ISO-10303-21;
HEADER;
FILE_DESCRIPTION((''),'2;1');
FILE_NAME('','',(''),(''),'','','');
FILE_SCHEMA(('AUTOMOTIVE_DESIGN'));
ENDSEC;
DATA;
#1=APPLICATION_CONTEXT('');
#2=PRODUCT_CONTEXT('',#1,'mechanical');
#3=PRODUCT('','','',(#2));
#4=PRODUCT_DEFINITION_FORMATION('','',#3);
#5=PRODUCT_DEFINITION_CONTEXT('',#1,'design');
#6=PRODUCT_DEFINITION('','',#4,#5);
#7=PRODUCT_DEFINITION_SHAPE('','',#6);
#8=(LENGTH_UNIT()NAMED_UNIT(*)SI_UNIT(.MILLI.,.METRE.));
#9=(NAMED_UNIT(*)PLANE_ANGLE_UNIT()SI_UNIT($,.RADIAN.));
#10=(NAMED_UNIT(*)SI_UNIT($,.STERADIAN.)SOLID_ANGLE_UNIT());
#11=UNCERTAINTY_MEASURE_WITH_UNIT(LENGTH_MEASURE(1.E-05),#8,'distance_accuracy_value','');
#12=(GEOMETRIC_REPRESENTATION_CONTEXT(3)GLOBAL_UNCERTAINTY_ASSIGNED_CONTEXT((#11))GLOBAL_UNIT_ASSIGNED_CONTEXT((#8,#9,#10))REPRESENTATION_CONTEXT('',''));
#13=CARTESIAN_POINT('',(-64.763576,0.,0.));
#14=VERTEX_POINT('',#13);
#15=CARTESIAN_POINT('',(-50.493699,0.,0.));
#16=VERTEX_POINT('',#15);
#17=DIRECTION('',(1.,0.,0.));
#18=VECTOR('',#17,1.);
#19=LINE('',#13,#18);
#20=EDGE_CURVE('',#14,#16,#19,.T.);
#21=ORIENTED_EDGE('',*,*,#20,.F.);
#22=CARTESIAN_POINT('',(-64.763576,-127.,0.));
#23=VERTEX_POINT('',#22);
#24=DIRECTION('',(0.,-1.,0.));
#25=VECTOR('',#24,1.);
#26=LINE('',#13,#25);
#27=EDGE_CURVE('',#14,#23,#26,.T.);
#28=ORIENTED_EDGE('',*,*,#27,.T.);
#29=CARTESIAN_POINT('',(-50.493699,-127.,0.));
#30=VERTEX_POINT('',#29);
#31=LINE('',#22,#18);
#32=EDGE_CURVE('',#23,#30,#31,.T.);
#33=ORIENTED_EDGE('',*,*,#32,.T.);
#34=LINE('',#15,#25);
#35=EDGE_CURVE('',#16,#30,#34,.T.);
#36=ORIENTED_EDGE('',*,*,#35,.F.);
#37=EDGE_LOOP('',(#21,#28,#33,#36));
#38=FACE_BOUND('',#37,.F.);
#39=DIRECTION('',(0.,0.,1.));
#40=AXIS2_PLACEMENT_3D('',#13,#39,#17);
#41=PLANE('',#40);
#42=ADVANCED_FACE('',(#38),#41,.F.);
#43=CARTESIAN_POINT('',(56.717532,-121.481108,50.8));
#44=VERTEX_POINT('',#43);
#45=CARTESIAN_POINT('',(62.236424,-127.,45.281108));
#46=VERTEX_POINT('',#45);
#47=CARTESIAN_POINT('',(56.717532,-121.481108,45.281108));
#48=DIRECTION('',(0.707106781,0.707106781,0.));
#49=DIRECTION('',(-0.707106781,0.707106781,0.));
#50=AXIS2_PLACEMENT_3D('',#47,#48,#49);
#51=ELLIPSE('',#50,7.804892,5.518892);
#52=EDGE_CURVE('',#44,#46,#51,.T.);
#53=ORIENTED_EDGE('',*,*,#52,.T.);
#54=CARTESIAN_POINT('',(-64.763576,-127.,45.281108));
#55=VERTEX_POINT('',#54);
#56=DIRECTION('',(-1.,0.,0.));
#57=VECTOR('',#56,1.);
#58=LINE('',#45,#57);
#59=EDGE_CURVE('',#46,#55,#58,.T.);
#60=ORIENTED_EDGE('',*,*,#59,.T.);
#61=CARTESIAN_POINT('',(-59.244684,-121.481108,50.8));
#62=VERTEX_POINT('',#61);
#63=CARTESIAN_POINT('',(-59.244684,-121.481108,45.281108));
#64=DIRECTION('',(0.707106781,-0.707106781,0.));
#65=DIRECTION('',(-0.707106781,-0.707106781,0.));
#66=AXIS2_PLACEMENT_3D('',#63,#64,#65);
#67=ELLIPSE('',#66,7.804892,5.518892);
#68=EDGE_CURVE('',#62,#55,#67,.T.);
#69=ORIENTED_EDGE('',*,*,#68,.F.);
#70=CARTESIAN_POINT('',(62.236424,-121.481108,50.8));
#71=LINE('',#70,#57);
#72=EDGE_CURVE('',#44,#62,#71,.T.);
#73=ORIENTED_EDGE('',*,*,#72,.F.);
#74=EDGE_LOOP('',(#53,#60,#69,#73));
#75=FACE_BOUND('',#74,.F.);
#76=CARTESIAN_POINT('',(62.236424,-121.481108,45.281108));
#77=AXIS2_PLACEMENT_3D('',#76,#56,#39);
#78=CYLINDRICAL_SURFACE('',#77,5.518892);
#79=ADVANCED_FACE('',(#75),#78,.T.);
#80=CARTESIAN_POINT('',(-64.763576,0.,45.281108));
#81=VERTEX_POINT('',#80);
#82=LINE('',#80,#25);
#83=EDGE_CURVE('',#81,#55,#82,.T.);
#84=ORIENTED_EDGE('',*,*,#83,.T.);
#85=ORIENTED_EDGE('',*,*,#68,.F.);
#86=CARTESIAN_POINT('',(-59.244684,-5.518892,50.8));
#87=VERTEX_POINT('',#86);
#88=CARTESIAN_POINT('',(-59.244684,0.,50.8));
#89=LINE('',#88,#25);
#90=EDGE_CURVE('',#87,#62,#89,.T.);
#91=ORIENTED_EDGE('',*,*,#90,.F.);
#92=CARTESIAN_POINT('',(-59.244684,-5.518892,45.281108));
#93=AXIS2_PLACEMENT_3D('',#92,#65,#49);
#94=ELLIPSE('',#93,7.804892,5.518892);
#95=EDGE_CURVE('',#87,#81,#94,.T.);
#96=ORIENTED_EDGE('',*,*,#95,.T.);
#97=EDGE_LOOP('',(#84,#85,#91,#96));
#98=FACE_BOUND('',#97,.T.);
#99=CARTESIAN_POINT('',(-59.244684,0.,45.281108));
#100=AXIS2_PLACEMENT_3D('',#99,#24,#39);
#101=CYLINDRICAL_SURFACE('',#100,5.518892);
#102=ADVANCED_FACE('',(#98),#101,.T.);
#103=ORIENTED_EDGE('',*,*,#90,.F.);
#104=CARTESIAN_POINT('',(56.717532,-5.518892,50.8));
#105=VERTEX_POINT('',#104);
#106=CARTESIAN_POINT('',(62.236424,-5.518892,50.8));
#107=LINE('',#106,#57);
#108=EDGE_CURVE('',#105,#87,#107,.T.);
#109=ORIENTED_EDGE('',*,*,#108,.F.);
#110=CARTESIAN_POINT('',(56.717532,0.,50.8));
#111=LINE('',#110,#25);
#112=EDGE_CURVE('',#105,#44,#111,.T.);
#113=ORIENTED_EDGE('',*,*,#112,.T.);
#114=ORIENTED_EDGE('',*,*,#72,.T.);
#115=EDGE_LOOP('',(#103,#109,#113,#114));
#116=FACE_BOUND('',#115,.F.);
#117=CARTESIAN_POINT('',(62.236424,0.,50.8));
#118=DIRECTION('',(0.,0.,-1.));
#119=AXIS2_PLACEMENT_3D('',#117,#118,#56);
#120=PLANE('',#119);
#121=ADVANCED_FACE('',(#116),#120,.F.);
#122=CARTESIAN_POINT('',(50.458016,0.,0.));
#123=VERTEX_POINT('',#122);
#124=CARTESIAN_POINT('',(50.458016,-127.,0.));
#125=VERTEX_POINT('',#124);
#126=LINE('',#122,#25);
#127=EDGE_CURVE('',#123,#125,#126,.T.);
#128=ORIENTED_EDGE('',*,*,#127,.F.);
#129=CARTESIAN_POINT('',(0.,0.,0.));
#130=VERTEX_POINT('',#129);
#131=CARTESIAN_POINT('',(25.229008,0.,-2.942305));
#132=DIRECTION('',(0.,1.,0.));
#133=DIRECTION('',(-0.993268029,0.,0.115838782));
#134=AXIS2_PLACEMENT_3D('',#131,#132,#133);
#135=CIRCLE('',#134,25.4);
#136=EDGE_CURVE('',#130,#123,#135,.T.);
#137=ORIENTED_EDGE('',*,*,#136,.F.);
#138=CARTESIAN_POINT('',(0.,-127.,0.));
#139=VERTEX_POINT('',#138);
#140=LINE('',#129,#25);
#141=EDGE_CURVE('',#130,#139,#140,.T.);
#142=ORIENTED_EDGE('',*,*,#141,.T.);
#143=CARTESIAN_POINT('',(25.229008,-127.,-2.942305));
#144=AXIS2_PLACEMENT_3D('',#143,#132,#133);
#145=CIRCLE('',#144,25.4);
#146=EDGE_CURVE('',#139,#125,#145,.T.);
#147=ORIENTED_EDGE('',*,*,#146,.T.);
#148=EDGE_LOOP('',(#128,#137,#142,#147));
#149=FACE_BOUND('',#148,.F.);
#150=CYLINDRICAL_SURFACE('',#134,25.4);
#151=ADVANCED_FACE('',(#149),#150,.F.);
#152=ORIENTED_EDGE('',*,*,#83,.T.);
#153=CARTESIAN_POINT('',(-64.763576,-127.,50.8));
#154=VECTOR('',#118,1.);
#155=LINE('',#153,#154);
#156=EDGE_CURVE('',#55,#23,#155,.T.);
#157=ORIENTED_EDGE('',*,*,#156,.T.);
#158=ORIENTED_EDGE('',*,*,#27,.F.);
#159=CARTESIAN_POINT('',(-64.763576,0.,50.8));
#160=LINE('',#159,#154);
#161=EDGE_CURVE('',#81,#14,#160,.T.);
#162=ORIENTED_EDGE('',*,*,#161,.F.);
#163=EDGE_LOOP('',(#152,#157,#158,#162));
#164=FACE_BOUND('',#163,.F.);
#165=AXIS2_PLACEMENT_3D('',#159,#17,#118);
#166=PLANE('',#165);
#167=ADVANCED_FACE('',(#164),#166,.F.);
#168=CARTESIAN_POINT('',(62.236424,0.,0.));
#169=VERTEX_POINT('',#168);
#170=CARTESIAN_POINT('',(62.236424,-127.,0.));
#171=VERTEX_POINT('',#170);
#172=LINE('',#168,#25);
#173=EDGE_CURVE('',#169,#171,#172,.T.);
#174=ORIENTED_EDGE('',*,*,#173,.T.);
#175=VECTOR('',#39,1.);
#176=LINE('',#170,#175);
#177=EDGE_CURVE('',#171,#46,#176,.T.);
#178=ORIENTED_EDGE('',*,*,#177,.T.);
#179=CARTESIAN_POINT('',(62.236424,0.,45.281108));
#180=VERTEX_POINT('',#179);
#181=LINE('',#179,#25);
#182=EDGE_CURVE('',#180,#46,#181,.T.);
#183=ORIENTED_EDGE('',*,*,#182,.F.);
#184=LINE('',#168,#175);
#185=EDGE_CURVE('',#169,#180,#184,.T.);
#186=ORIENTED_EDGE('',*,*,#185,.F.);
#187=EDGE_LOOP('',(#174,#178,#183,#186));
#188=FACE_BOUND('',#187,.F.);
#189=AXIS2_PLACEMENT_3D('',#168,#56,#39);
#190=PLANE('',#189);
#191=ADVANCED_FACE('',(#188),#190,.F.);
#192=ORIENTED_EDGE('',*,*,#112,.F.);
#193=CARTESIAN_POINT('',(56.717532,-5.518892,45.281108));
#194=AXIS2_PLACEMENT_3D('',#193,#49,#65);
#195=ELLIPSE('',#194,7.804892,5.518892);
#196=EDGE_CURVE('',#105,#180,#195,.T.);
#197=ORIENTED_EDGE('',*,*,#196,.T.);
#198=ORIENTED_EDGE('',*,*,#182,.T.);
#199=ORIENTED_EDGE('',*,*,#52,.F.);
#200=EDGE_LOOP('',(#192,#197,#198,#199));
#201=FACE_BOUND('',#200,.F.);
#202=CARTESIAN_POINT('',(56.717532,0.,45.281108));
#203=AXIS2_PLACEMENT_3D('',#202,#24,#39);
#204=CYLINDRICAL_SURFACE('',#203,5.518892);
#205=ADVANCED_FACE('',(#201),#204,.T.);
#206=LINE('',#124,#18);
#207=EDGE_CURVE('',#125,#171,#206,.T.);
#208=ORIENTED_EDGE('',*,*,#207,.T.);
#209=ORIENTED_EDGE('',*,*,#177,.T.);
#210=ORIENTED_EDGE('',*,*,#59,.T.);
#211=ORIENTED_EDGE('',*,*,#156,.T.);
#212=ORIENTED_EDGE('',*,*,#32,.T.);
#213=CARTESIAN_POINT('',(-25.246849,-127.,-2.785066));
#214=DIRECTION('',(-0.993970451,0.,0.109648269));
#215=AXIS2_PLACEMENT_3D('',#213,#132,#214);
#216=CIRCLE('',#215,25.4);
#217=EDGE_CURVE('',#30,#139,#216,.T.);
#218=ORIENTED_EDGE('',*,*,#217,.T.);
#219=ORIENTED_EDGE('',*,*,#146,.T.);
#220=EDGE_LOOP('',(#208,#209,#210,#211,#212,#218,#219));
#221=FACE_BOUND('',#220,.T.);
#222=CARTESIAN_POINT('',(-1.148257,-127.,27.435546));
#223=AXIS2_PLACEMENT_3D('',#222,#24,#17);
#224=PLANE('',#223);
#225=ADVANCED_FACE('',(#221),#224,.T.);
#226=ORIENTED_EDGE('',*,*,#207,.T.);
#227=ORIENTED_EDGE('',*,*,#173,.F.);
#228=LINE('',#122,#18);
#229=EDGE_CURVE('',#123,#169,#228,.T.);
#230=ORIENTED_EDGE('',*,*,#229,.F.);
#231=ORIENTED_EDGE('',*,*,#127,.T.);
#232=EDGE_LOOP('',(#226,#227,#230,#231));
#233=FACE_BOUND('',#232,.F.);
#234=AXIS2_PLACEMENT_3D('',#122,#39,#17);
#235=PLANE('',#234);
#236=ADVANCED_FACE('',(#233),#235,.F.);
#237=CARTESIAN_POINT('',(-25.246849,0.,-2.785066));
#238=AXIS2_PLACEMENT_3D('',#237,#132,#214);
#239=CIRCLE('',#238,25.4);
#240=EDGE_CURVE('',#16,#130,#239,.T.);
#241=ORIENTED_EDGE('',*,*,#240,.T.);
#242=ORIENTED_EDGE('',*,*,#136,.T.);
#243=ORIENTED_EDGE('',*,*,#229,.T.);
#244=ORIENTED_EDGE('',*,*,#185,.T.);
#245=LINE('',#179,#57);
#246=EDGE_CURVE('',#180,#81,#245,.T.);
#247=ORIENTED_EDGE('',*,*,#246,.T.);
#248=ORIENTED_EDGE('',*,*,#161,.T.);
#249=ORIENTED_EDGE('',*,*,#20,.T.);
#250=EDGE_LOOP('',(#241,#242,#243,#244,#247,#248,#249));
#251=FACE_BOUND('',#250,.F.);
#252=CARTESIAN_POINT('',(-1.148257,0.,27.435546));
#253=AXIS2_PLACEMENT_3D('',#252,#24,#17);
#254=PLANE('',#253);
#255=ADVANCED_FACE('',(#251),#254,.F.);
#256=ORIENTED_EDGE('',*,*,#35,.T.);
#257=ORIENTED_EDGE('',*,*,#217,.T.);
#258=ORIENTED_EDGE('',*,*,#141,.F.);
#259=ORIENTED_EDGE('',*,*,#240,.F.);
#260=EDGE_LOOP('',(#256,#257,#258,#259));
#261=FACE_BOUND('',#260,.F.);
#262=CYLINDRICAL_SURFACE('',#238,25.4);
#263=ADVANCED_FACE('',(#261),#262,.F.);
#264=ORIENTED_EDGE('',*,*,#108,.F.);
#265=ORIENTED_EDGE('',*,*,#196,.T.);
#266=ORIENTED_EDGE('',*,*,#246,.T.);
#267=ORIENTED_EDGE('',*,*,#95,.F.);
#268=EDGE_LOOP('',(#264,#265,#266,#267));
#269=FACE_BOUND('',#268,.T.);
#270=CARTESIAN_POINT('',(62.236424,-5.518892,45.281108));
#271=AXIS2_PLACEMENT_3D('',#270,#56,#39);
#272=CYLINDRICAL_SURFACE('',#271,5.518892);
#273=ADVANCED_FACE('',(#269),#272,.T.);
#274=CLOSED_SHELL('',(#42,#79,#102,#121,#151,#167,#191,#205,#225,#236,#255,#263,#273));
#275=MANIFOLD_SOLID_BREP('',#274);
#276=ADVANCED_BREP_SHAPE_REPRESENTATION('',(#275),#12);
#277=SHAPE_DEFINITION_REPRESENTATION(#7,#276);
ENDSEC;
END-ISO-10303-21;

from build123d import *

# Parameters (mm, degrees)
F1_DEPTH = 127
F2_R     = 5.518892


with BuildPart() as f1:
    # F0 (on Front) → F1 (new body)
    with BuildSketch(Plane.XZ):
        with BuildLine():
            Line((62.236424, 50.8), (-64.763576, 50.8))
            Line((-64.763576, 50.8), (-64.763576, 0))
            Line((-64.763576, 0), (-50.493699, 0))
            ThreePointArc((-50.493699, 0), (-25.246849, 22.614934), (0, 0))
            ThreePointArc((0, 0), (25.229008, 22.457695), (50.458016, 0))
            Line((50.458016, 0), (62.236424, 0))
            Line((62.236424, 0), (62.236424, 50.8))
        make_face()
    extrude(amount=F1_DEPTH)

    # F2
    f2_edges = [f1.edges().sort_by_distance(p)[0] for p in [
        (-1.263576, 0, 50.8),
        (-64.763576, -63.5, 50.8),
        (-1.263576, -127, 50.8),
        (62.236424, -63.5, 50.8),
    ]]
    fillet(f2_edges, radius=F2_R)


solid = f1.part
